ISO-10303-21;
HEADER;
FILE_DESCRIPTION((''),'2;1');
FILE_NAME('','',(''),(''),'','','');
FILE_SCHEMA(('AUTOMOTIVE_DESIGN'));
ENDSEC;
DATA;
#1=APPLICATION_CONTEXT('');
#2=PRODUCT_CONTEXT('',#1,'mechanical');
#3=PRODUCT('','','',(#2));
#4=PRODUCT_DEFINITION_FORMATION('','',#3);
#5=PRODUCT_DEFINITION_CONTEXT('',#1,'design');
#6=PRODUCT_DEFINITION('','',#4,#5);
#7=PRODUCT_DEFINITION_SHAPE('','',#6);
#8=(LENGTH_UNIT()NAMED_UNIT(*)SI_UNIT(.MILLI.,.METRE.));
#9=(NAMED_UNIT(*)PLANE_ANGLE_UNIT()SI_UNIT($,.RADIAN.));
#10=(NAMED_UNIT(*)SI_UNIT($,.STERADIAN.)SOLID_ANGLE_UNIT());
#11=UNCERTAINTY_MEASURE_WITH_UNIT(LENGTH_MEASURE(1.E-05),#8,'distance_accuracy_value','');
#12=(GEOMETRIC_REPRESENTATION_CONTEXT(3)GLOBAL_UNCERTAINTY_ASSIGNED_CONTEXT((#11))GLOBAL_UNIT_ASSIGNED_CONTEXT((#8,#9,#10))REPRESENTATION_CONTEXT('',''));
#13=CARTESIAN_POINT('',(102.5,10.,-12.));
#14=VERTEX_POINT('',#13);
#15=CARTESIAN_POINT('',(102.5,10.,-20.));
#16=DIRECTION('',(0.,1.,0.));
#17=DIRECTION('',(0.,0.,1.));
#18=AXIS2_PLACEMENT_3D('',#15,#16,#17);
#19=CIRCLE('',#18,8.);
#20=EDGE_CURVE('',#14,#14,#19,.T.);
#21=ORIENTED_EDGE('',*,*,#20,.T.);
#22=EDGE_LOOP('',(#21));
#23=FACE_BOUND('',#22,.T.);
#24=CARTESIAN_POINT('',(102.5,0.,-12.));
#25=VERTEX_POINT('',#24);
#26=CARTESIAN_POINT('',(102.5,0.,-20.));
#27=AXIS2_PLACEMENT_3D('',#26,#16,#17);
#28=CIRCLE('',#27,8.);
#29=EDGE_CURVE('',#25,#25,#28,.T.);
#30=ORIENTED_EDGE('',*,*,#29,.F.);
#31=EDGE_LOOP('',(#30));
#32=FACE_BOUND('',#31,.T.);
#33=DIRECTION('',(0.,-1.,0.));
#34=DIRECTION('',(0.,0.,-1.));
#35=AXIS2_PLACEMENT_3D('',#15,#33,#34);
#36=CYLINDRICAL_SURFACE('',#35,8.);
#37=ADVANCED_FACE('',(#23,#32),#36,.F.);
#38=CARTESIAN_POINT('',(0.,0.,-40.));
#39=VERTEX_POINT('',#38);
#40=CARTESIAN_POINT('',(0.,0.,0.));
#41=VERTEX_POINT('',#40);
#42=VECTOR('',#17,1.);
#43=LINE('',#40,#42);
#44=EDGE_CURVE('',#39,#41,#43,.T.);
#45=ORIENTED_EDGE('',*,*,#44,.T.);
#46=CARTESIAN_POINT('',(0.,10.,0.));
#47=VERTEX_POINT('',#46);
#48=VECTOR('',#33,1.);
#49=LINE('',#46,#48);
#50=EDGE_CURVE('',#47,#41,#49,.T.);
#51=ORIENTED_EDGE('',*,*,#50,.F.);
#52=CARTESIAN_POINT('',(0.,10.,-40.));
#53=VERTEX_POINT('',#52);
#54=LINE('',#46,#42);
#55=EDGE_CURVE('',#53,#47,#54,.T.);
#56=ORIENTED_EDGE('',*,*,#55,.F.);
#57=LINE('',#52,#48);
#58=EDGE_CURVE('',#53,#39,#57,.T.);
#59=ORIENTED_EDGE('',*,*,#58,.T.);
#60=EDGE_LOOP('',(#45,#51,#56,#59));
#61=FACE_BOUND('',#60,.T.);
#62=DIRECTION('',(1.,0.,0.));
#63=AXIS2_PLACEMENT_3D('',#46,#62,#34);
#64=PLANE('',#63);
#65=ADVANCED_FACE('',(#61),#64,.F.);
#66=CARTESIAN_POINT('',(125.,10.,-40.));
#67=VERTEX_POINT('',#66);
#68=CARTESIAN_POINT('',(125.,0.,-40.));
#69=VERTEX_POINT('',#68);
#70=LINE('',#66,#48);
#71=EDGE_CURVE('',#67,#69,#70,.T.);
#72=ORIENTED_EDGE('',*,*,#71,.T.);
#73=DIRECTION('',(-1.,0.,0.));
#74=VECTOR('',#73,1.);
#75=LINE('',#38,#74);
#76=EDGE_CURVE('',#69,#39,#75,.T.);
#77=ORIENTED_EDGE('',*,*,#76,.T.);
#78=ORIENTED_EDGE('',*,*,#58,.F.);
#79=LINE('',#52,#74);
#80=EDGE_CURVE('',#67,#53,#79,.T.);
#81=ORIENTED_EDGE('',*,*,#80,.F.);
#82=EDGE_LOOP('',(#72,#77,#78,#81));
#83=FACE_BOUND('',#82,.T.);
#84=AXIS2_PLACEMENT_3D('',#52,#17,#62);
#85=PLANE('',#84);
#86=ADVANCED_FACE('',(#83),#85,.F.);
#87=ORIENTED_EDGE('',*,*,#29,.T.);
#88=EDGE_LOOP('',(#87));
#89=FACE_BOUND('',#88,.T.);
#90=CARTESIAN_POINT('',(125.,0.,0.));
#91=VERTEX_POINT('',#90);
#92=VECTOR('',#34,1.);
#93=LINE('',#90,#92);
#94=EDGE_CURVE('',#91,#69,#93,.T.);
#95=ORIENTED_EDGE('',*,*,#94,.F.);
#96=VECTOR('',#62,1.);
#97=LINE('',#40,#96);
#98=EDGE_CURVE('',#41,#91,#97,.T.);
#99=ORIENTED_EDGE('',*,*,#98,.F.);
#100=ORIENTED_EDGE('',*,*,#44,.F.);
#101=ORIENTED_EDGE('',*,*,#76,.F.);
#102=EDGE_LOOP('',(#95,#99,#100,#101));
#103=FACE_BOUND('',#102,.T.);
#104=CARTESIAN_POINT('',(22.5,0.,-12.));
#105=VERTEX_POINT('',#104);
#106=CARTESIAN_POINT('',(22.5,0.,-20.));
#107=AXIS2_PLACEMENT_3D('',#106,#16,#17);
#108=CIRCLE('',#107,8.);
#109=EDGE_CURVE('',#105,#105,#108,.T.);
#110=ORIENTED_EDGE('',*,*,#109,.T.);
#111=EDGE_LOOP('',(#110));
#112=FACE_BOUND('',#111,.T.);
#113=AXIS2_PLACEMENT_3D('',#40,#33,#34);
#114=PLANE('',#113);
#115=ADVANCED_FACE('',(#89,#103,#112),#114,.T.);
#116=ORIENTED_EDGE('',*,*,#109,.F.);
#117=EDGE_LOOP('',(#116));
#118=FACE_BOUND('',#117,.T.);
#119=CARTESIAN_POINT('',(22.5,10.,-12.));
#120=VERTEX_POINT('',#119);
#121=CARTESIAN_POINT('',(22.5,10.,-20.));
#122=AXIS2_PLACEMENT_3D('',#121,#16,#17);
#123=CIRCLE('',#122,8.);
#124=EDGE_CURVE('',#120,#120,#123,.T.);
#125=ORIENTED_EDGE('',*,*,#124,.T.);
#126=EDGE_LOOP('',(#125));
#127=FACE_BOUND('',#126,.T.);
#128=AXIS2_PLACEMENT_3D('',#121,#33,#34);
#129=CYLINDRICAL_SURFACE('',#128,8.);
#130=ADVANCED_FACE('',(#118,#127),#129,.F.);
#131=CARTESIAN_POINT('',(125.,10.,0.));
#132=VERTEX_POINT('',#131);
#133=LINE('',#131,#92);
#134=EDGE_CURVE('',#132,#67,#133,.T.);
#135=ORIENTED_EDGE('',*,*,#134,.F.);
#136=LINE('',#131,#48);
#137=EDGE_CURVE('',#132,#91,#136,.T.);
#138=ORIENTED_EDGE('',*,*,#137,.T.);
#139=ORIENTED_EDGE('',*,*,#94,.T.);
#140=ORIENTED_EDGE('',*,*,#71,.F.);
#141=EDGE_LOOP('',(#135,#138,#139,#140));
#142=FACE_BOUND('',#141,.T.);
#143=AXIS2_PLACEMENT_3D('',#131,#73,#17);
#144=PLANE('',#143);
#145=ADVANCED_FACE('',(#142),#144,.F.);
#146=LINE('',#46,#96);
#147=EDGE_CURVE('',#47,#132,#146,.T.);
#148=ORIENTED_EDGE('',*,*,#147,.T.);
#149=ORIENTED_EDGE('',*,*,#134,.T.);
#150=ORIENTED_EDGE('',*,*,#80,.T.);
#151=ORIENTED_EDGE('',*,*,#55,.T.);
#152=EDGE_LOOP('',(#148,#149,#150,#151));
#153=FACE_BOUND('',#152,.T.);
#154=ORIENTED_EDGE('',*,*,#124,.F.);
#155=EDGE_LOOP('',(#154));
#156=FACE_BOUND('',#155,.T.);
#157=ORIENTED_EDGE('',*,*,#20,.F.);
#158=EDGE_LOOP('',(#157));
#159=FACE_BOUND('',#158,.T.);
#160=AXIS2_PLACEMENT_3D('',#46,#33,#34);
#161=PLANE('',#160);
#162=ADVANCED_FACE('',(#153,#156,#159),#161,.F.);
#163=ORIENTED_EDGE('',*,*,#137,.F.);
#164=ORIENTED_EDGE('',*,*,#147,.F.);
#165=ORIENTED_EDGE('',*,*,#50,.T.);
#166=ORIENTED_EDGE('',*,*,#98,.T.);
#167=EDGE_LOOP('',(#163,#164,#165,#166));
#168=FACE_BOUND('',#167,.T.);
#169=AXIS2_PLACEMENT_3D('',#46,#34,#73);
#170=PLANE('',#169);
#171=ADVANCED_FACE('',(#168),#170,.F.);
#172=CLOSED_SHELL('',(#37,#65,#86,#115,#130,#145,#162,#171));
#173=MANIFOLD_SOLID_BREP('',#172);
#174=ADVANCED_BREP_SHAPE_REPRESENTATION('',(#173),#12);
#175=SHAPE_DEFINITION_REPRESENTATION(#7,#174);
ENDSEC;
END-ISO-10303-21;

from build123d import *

# Parameters (mm, degrees)
SKETCH1_W           = 125
SKETCH1_H           = 40
SKETCH1_R           = 8
BOSS_EXTRUDE1_DEPTH = 10


with BuildPart() as part:
    # Sketch1 → Boss-Extrude1 (new body)
    with BuildSketch(Plane(origin=(0, 0, 0), x_dir=(1, 0, 0), z_dir=(0, 1, 0))):
        with Locations((62.5, 20)):
            Rectangle(SKETCH1_W, SKETCH1_H)
        with Locations(Location((22.5, 20, 0), (0, 0, 270))):
            Circle(SKETCH1_R, mode=Mode.SUBTRACT)
        with Locations(Location((102.5, 20, 0), (0, 0, 270))):
            Circle(SKETCH1_R, mode=Mode.SUBTRACT)
    extrude(amount=BOSS_EXTRUDE1_DEPTH)


solid = part.part
